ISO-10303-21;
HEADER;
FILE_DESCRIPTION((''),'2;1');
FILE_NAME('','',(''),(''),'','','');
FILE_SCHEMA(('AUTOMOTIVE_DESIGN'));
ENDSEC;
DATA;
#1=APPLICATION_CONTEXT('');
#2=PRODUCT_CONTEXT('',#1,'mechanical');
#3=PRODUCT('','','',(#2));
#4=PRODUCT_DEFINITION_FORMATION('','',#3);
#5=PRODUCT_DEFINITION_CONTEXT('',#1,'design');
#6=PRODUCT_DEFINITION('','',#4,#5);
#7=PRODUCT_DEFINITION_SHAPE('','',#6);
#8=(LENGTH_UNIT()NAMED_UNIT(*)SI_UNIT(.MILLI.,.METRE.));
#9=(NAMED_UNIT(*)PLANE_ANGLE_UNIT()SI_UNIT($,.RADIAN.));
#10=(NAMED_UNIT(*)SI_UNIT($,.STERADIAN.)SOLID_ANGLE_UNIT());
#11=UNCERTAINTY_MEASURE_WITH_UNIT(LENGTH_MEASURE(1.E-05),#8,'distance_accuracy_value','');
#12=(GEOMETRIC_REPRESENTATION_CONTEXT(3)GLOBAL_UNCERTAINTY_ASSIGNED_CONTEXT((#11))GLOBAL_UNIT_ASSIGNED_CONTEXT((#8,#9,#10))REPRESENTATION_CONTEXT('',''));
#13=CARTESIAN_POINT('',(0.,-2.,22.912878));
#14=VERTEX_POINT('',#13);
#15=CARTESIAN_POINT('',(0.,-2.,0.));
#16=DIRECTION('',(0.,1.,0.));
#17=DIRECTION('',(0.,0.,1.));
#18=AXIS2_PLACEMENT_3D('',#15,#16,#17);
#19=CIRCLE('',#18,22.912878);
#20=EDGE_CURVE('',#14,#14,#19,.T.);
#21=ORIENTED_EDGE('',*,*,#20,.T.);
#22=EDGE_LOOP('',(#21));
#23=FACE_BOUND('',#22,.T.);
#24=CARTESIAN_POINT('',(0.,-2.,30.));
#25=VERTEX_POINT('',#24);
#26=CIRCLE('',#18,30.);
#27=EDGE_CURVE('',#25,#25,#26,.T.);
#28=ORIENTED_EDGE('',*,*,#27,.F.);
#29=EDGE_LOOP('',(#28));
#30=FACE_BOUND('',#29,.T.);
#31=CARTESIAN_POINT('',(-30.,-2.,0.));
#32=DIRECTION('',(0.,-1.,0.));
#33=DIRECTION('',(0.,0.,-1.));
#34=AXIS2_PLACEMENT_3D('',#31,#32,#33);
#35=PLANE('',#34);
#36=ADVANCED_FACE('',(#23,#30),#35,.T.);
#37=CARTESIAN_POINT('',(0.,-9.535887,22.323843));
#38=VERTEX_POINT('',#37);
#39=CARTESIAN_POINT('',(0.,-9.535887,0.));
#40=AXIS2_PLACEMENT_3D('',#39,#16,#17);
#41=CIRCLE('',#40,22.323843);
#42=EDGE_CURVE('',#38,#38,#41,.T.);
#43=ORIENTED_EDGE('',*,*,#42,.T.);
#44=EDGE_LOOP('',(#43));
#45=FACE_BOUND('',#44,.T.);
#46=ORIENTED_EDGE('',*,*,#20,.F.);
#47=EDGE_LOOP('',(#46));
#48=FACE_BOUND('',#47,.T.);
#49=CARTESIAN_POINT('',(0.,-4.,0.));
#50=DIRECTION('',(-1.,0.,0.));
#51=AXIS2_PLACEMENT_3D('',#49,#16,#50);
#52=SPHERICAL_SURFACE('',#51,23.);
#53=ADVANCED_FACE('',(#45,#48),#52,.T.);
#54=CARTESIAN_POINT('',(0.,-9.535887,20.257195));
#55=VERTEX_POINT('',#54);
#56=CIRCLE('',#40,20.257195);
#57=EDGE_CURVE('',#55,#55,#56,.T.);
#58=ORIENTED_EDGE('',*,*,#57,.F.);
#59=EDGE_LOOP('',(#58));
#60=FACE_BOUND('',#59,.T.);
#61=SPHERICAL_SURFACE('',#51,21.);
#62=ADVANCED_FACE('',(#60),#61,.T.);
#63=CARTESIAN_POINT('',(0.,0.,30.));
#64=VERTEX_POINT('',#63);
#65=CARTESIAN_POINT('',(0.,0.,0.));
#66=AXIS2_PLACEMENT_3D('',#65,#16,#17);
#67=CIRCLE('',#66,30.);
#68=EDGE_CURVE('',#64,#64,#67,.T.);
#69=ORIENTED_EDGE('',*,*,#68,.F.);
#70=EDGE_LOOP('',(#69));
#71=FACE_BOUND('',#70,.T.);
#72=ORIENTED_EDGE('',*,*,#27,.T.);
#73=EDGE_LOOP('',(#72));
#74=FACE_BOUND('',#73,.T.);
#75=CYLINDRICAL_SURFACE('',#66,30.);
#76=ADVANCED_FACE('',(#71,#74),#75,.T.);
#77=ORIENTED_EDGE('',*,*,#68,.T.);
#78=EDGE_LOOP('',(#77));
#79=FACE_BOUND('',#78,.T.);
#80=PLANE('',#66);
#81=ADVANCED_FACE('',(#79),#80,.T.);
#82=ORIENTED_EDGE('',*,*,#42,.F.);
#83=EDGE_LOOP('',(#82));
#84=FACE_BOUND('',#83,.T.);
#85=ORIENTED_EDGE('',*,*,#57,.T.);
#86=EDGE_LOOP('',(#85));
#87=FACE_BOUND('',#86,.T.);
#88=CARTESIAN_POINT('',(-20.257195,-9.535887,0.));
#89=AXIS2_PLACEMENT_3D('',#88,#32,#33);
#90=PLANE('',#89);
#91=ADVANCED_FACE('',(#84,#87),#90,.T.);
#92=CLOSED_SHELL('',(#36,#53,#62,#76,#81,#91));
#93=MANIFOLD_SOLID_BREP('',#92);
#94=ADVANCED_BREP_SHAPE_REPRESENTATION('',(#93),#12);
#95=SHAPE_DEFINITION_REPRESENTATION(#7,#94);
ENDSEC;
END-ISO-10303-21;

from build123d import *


with BuildPart() as part:
    # Sketch1 → Revolve1 (revolve)
    with BuildSketch(Plane.XY):
        with BuildLine():
            Line((0, 0), (-30, 0))
            Line((-30, 0), (-30, -2))
            Line((-30, -2), (-22.912878475, -2))
            ThreePointArc((-22.912878475, -2), (-22.930059657, -5.792306925), (-22.323842868, -9.535886523))
            Line((-22.323842868, -9.535886523), (-20.257195275, -9.535886523))
            ThreePointArc((-20.257195275, -9.535886523), (-12.742573975, -20.692118155), (0, -25))
            Line((0, -25), (0, 0))
        make_face()
    revolve(axis=Axis((0, 0, 0), (0, -1, 0)))


solid = part.part
